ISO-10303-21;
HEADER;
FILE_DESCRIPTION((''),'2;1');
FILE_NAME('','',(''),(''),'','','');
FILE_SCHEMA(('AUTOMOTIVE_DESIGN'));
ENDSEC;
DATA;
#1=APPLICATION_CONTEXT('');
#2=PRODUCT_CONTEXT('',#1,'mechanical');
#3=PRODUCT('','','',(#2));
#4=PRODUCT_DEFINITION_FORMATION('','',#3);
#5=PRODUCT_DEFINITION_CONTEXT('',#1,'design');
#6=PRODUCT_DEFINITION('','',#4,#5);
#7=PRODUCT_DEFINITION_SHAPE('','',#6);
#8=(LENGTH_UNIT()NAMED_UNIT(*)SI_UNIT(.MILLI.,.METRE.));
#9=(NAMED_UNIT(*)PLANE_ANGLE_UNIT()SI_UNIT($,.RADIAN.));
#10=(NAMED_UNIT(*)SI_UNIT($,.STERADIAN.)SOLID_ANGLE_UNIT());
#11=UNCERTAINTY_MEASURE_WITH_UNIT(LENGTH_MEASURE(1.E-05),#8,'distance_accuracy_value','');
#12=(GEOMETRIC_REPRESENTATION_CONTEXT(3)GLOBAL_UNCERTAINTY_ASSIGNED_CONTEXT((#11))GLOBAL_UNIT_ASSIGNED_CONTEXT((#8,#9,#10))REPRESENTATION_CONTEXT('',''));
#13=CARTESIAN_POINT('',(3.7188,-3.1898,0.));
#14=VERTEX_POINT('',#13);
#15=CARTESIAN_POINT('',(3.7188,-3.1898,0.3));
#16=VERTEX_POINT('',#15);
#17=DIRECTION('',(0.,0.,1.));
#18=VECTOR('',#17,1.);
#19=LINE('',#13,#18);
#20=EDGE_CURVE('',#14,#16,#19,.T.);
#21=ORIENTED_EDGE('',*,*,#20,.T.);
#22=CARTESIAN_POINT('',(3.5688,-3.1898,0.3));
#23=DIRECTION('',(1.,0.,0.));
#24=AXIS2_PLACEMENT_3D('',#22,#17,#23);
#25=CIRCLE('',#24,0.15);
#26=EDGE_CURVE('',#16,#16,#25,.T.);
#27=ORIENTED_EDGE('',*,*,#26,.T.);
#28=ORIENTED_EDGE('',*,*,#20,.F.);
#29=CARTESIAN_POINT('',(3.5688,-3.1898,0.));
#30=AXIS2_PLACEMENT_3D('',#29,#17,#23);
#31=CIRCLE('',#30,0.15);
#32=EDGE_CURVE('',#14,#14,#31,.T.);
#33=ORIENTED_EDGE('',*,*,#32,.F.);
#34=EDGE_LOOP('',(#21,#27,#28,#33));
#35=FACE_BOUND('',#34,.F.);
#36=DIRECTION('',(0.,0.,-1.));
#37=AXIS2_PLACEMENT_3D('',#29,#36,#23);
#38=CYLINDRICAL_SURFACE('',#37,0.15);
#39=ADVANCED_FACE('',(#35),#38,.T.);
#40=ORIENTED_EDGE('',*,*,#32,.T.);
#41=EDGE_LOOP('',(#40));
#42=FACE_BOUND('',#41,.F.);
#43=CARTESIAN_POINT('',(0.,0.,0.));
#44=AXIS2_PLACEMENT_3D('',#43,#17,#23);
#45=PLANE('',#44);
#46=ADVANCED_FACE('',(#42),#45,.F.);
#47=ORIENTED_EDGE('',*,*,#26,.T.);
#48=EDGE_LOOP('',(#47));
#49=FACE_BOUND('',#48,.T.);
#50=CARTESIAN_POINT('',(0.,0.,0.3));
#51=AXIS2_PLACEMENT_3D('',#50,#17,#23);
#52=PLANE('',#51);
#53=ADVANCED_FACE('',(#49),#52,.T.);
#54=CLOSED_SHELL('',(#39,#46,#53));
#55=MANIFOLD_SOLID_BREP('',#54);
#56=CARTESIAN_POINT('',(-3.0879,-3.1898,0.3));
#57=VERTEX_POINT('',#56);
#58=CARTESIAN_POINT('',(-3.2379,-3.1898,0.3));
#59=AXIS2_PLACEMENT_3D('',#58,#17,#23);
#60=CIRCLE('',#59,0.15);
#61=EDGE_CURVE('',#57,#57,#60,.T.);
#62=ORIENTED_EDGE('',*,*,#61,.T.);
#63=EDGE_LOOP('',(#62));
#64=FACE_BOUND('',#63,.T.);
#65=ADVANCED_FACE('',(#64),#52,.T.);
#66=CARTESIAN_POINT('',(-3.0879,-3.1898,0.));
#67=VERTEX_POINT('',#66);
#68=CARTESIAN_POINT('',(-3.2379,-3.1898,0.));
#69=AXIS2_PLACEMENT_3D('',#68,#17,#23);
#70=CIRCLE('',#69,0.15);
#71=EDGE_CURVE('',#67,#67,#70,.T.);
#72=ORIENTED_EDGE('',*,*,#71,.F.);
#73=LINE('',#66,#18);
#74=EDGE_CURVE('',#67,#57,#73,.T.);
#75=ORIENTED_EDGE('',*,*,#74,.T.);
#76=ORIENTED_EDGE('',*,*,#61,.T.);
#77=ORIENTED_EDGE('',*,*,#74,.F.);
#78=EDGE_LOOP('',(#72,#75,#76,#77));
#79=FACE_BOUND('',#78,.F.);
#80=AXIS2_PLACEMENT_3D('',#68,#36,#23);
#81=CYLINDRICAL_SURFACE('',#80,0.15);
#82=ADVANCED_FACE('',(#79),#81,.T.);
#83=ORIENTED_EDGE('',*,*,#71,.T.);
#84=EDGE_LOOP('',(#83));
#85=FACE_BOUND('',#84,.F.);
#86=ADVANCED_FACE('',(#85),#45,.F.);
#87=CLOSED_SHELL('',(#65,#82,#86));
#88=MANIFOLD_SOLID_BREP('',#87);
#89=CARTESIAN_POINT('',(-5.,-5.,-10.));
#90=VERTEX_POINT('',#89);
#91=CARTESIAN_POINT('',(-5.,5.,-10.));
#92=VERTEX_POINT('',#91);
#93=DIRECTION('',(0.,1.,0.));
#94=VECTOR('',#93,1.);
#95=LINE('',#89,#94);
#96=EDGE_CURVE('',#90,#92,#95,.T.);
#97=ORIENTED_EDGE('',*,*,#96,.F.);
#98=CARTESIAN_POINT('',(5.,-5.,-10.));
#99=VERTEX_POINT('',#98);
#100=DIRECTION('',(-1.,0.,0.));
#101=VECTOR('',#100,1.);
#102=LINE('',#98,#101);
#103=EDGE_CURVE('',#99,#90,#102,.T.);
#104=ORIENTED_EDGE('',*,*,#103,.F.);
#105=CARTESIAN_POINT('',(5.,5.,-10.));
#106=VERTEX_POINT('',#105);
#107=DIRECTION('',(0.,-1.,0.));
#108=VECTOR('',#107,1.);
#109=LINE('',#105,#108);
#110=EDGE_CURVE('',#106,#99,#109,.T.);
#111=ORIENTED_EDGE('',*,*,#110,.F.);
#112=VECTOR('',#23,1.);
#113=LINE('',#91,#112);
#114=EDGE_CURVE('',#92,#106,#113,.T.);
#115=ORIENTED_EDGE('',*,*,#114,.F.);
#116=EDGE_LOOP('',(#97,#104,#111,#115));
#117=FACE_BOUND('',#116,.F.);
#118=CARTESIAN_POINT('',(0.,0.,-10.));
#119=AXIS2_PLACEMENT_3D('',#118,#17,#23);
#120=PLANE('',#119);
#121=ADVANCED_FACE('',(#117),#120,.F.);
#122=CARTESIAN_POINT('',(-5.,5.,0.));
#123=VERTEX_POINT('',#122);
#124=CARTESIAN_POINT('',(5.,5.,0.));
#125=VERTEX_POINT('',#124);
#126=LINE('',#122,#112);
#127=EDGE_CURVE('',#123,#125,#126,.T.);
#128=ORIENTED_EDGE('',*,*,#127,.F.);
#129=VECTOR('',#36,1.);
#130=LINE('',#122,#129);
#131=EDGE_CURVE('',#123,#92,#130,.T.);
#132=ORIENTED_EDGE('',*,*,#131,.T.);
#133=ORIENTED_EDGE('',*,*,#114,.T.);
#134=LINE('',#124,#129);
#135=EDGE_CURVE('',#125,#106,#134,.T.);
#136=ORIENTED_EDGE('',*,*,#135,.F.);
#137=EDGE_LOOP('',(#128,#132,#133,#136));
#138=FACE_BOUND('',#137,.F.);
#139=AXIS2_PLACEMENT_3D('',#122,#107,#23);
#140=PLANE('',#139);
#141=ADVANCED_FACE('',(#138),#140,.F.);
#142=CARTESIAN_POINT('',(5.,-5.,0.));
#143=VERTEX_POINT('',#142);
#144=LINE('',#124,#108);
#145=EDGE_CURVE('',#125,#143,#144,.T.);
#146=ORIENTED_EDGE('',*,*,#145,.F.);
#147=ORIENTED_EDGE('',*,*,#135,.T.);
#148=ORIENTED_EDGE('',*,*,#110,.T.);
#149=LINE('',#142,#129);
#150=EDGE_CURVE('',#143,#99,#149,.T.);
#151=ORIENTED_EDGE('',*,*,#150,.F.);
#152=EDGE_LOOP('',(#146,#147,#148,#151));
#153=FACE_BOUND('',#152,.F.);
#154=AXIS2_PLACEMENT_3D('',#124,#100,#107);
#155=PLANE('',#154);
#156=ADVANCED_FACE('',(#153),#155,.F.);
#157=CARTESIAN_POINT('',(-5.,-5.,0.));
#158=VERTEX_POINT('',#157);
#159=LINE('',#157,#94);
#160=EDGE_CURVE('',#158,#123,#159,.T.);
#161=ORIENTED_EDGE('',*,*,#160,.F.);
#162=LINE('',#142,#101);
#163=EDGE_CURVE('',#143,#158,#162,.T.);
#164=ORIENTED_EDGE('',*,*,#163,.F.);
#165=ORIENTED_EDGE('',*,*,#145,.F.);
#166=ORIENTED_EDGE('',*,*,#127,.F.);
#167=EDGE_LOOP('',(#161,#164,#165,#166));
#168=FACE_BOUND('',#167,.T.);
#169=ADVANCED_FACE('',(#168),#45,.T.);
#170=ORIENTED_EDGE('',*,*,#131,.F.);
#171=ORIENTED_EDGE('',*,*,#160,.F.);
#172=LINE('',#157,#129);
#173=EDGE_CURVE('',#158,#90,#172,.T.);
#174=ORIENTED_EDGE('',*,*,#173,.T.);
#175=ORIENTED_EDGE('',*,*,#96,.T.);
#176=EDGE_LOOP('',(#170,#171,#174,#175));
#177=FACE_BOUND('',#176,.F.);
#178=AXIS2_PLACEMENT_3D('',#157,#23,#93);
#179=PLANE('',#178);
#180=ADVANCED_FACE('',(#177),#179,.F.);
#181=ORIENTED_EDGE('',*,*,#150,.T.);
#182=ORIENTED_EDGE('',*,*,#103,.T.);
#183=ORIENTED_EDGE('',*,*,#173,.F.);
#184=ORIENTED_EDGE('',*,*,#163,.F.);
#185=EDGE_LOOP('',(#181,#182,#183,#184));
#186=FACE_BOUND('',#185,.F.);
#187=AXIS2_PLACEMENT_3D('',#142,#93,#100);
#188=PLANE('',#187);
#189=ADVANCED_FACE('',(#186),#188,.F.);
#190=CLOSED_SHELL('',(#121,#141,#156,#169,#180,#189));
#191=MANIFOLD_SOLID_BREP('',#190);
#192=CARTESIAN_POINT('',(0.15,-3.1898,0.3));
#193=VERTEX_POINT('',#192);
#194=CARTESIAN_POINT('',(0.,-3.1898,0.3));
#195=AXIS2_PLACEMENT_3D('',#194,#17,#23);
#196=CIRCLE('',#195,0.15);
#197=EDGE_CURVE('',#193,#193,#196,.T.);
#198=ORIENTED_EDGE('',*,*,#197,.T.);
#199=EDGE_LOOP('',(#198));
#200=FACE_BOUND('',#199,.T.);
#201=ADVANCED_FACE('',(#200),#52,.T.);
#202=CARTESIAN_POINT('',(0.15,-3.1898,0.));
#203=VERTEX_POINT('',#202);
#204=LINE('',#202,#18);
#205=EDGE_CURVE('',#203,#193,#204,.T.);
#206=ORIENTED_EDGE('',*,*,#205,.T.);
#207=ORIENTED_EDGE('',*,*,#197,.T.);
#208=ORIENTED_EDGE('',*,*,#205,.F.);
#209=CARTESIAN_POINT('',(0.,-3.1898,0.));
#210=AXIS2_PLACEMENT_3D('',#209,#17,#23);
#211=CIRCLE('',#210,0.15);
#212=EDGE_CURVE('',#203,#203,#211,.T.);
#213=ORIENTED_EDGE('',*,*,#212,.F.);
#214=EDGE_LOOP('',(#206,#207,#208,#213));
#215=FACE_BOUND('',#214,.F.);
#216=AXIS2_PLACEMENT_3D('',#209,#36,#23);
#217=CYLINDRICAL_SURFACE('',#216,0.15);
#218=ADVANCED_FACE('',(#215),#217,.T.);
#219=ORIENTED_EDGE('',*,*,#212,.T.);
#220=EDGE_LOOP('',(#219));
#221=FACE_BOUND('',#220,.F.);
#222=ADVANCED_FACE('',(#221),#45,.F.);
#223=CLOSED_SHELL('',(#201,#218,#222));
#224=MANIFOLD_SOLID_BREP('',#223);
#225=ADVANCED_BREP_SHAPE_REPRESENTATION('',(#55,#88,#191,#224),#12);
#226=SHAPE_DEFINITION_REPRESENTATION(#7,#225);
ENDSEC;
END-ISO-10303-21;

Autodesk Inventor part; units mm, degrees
ref_plane "YZ Plane" through (0, 0, 0) normal (1, 0, 0) x (0, 1, 0)
ref_plane "XZ Plane" through (0, 0, 0) normal (0, 1, 0) x (-1, 0, 0)
sketch "Эскиз1" plane through (0, 0, 0) normal (0, 0, 1) x (1, 0, 0)
  line L0 (-5, 5) -> (5, 5)
  line L1 (5, 5) -> (5, -5)
  line L2 (5, -5) -> (-5, -5)
  line L3 (-5, -5) -> (-5, 5)
  point P0 (0, 0)
  point P1 (5, 0)
  point P2 (0, 5)
  dimension "d0" = 10
  dimension "d1" = 10
extrude "Выдавливание1" add sketch "Эскиз1" against normal blind 10
sketch "Эскиз2" plane through (0, 0, 0) normal (0, 0, 1) x (1, 0, 0)
  line L0 (-3.4766, 4.33) -> (6.5107, 4.33) construction
  line L1 (6.5107, 4.33) -> (6.5107, 1.2958) construction
  line L2 (6.5107, 1.2958) -> (-3.4766, 1.2958) construction
  line L3 (-3.4766, 1.2958) -> (-3.4766, 4.33) construction
  point P0 (0, 0)
ref_plane "РабПлоскость1" through (0, 0, 0) normal (0, 0, 1) x (1, 0, 0)
sketch "Эскиз3" plane through (0, 0, 0) normal (0, 0, 1) x (1, 0, 0)
  circle A0 centre (-3.2379, -3.1898) radius 0.15
  point P0 (0, 0)
  dimension "d5" = 0.3
extrude "Выдавливание2" add sketch "Эскиз3" along normal blind 0.3 separate body
sketch "Эскиз4" plane through (0, 0, 0) normal (0, 0, 1) x (1, 0, 0)
  circle A0 centre (0, -3.1898) radius 0.15
  point P0 (0, 0)
  dimension "d10" = 0.3
extrude "Выдавливание3" add sketch "Эскиз4" along normal blind 0.3 separate body
sketch "Эскиз5" plane through (0, 0, 0) normal (0, 0, 1) x (1, 0, 0)
  circle A0 centre (3.5688, -3.1898) radius 0.15
  point P0 (0, 0)
  dimension "d13" = 0.3
extrude "Выдавливание4" add sketch "Эскиз5" along normal blind 0.3 separate body
properties part number "voltage_supply"
